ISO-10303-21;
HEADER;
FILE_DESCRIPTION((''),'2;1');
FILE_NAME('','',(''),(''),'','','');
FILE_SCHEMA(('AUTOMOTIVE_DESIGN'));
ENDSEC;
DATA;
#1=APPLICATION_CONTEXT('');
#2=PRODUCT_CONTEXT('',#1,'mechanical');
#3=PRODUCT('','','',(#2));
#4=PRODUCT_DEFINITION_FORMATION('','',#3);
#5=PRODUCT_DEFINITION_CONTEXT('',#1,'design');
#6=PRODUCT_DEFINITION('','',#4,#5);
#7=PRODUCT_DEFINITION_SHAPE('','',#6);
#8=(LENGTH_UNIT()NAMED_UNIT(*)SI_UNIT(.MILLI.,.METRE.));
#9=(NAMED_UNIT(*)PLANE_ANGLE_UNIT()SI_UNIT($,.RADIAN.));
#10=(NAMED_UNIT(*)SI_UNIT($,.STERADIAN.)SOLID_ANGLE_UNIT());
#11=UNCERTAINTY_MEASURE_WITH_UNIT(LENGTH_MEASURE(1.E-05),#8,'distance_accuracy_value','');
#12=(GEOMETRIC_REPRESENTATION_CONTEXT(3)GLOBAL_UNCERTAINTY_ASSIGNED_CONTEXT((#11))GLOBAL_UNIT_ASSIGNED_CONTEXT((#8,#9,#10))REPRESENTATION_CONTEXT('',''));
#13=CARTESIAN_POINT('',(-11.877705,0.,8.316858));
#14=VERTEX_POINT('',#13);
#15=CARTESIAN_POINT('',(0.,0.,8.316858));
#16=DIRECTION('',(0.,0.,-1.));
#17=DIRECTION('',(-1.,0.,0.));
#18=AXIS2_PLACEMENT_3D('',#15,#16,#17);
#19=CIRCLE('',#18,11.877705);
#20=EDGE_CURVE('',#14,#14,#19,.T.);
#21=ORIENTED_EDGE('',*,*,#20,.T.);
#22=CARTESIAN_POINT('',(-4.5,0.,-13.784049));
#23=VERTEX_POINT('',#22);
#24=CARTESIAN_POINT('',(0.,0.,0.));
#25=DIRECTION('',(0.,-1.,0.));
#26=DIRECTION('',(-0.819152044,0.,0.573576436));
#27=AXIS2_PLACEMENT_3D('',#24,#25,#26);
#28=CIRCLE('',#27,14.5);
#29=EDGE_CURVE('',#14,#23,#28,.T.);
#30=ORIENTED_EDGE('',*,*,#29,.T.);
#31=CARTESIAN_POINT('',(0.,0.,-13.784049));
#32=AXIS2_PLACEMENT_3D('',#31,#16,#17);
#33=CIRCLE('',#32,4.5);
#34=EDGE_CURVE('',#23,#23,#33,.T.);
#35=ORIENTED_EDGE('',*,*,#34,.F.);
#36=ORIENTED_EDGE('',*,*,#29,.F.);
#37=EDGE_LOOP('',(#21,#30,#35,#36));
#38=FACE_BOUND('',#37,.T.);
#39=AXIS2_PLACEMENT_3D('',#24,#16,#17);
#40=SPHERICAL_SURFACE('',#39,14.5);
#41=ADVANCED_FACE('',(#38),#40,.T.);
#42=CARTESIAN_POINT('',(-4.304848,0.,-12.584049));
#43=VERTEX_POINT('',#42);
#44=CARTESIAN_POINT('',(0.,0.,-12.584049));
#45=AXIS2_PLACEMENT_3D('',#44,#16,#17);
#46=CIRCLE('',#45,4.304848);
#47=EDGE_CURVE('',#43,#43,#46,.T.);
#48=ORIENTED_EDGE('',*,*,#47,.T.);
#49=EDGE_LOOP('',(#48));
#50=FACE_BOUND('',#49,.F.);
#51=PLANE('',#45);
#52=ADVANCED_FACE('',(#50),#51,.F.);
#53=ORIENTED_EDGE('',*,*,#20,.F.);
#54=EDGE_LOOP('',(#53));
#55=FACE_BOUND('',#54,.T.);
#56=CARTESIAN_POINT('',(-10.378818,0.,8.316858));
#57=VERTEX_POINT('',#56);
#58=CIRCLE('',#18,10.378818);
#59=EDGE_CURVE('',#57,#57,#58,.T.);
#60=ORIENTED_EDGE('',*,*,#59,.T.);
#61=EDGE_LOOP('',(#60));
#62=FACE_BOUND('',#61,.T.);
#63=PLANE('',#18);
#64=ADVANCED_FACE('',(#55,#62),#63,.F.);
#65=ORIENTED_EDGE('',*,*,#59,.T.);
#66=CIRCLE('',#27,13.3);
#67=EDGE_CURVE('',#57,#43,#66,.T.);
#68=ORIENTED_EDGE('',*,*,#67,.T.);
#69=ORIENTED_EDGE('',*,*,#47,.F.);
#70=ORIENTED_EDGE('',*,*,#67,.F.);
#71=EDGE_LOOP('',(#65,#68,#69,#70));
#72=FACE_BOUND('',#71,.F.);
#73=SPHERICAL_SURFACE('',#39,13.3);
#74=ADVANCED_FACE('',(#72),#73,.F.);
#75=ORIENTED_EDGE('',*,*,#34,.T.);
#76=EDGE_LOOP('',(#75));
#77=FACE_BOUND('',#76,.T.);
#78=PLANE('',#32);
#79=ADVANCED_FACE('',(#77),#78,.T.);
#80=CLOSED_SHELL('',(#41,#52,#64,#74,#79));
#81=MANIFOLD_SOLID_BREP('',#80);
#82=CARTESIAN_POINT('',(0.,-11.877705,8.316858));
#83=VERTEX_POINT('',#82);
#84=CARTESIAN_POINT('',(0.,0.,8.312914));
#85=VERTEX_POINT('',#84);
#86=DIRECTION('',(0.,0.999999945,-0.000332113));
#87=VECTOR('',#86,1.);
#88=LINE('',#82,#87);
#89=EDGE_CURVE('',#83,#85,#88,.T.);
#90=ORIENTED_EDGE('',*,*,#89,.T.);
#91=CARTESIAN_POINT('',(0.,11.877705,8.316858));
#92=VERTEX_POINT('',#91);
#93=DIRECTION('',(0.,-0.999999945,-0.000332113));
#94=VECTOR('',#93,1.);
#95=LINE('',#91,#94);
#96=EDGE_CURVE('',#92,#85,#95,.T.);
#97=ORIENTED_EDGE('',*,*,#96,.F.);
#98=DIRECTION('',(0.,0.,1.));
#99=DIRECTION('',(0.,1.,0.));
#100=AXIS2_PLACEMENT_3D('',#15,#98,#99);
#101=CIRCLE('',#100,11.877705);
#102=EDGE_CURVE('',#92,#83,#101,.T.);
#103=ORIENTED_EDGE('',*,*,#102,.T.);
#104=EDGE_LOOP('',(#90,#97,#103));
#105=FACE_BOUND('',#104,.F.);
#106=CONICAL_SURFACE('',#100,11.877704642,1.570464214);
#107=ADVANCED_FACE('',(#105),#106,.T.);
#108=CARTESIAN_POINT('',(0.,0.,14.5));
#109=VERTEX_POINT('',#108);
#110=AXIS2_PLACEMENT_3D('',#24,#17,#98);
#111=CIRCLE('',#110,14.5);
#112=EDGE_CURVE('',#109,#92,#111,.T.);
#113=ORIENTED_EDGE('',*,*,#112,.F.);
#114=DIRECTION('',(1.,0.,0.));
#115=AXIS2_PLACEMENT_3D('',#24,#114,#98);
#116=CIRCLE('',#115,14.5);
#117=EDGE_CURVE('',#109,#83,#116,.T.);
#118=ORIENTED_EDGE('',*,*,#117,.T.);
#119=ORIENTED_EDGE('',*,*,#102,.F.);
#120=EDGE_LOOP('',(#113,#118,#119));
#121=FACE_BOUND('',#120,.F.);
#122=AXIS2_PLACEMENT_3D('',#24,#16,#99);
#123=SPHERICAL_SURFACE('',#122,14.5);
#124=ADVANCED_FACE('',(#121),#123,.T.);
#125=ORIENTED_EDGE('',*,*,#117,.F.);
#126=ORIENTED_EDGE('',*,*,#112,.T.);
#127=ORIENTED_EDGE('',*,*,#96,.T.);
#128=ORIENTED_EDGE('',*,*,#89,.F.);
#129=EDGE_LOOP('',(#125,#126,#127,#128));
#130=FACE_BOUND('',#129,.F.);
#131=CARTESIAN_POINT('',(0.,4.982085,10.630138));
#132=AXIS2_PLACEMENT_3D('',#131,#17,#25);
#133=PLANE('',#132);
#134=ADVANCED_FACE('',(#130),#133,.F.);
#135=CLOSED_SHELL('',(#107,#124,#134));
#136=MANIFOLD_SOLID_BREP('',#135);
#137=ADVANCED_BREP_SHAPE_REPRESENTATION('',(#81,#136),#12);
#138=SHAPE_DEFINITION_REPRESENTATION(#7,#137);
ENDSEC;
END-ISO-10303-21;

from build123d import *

# Parameters (mm, degrees)
F2_T          = -1.2
F4_ANGLE_BACK = 90
F4_ANGLE      = 180


with BuildPart() as f1:
    # F0 (on Front) → F1 (revolve)
    with BuildSketch(Plane.XZ):
        with BuildLine():
            Line((0, -13.7840487521), (0, 8.3168583271))
            Line((0, 8.3168583271), (-11.8777046422, 8.3168583271))
            ThreePointArc((-11.8777046422, 8.3168583271), (-13.7539022015, -4.5913150875), (-4.5, -13.7840487521))
            Line((-4.5, -13.7840487521), (0, -13.7840487521))
        make_face()
    revolve(axis=Axis((0, 0, 0.357975624), (0, 0, -1)))

    # F2
    f2_openings = [f1.faces().sort_by_distance(p)[0] for p in [
        (0, 0, 8.316858),
    ]]
    offset(amount=F2_T, openings=f2_openings)


with BuildPart() as f4:
    # F3 (on Front) → F4 (revolve)
    with BuildSketch(Plane.XZ, mode=Mode.PRIVATE) as f4_sk:
        with BuildLine():
            Line((0, 8.3129135892), (0, 14.5))
            ThreePointArc((0, 14.5), (-6.6953548919, 12.8616570811), (-11.8777046422, 8.3168583271))
            Line((-11.8777046422, 8.3168583271), (0, 8.3129135892))
        make_face()
    revolve(f4_sk.sketch.rotate(Axis((0, 0, 11.4064567946), (0, 0, 1)), -F4_ANGLE_BACK), axis=Axis((0, 0, 11.4064567946), (0, 0, 1)), revolution_arc=F4_ANGLE)


solid = Compound([f1.part, f4.part])
